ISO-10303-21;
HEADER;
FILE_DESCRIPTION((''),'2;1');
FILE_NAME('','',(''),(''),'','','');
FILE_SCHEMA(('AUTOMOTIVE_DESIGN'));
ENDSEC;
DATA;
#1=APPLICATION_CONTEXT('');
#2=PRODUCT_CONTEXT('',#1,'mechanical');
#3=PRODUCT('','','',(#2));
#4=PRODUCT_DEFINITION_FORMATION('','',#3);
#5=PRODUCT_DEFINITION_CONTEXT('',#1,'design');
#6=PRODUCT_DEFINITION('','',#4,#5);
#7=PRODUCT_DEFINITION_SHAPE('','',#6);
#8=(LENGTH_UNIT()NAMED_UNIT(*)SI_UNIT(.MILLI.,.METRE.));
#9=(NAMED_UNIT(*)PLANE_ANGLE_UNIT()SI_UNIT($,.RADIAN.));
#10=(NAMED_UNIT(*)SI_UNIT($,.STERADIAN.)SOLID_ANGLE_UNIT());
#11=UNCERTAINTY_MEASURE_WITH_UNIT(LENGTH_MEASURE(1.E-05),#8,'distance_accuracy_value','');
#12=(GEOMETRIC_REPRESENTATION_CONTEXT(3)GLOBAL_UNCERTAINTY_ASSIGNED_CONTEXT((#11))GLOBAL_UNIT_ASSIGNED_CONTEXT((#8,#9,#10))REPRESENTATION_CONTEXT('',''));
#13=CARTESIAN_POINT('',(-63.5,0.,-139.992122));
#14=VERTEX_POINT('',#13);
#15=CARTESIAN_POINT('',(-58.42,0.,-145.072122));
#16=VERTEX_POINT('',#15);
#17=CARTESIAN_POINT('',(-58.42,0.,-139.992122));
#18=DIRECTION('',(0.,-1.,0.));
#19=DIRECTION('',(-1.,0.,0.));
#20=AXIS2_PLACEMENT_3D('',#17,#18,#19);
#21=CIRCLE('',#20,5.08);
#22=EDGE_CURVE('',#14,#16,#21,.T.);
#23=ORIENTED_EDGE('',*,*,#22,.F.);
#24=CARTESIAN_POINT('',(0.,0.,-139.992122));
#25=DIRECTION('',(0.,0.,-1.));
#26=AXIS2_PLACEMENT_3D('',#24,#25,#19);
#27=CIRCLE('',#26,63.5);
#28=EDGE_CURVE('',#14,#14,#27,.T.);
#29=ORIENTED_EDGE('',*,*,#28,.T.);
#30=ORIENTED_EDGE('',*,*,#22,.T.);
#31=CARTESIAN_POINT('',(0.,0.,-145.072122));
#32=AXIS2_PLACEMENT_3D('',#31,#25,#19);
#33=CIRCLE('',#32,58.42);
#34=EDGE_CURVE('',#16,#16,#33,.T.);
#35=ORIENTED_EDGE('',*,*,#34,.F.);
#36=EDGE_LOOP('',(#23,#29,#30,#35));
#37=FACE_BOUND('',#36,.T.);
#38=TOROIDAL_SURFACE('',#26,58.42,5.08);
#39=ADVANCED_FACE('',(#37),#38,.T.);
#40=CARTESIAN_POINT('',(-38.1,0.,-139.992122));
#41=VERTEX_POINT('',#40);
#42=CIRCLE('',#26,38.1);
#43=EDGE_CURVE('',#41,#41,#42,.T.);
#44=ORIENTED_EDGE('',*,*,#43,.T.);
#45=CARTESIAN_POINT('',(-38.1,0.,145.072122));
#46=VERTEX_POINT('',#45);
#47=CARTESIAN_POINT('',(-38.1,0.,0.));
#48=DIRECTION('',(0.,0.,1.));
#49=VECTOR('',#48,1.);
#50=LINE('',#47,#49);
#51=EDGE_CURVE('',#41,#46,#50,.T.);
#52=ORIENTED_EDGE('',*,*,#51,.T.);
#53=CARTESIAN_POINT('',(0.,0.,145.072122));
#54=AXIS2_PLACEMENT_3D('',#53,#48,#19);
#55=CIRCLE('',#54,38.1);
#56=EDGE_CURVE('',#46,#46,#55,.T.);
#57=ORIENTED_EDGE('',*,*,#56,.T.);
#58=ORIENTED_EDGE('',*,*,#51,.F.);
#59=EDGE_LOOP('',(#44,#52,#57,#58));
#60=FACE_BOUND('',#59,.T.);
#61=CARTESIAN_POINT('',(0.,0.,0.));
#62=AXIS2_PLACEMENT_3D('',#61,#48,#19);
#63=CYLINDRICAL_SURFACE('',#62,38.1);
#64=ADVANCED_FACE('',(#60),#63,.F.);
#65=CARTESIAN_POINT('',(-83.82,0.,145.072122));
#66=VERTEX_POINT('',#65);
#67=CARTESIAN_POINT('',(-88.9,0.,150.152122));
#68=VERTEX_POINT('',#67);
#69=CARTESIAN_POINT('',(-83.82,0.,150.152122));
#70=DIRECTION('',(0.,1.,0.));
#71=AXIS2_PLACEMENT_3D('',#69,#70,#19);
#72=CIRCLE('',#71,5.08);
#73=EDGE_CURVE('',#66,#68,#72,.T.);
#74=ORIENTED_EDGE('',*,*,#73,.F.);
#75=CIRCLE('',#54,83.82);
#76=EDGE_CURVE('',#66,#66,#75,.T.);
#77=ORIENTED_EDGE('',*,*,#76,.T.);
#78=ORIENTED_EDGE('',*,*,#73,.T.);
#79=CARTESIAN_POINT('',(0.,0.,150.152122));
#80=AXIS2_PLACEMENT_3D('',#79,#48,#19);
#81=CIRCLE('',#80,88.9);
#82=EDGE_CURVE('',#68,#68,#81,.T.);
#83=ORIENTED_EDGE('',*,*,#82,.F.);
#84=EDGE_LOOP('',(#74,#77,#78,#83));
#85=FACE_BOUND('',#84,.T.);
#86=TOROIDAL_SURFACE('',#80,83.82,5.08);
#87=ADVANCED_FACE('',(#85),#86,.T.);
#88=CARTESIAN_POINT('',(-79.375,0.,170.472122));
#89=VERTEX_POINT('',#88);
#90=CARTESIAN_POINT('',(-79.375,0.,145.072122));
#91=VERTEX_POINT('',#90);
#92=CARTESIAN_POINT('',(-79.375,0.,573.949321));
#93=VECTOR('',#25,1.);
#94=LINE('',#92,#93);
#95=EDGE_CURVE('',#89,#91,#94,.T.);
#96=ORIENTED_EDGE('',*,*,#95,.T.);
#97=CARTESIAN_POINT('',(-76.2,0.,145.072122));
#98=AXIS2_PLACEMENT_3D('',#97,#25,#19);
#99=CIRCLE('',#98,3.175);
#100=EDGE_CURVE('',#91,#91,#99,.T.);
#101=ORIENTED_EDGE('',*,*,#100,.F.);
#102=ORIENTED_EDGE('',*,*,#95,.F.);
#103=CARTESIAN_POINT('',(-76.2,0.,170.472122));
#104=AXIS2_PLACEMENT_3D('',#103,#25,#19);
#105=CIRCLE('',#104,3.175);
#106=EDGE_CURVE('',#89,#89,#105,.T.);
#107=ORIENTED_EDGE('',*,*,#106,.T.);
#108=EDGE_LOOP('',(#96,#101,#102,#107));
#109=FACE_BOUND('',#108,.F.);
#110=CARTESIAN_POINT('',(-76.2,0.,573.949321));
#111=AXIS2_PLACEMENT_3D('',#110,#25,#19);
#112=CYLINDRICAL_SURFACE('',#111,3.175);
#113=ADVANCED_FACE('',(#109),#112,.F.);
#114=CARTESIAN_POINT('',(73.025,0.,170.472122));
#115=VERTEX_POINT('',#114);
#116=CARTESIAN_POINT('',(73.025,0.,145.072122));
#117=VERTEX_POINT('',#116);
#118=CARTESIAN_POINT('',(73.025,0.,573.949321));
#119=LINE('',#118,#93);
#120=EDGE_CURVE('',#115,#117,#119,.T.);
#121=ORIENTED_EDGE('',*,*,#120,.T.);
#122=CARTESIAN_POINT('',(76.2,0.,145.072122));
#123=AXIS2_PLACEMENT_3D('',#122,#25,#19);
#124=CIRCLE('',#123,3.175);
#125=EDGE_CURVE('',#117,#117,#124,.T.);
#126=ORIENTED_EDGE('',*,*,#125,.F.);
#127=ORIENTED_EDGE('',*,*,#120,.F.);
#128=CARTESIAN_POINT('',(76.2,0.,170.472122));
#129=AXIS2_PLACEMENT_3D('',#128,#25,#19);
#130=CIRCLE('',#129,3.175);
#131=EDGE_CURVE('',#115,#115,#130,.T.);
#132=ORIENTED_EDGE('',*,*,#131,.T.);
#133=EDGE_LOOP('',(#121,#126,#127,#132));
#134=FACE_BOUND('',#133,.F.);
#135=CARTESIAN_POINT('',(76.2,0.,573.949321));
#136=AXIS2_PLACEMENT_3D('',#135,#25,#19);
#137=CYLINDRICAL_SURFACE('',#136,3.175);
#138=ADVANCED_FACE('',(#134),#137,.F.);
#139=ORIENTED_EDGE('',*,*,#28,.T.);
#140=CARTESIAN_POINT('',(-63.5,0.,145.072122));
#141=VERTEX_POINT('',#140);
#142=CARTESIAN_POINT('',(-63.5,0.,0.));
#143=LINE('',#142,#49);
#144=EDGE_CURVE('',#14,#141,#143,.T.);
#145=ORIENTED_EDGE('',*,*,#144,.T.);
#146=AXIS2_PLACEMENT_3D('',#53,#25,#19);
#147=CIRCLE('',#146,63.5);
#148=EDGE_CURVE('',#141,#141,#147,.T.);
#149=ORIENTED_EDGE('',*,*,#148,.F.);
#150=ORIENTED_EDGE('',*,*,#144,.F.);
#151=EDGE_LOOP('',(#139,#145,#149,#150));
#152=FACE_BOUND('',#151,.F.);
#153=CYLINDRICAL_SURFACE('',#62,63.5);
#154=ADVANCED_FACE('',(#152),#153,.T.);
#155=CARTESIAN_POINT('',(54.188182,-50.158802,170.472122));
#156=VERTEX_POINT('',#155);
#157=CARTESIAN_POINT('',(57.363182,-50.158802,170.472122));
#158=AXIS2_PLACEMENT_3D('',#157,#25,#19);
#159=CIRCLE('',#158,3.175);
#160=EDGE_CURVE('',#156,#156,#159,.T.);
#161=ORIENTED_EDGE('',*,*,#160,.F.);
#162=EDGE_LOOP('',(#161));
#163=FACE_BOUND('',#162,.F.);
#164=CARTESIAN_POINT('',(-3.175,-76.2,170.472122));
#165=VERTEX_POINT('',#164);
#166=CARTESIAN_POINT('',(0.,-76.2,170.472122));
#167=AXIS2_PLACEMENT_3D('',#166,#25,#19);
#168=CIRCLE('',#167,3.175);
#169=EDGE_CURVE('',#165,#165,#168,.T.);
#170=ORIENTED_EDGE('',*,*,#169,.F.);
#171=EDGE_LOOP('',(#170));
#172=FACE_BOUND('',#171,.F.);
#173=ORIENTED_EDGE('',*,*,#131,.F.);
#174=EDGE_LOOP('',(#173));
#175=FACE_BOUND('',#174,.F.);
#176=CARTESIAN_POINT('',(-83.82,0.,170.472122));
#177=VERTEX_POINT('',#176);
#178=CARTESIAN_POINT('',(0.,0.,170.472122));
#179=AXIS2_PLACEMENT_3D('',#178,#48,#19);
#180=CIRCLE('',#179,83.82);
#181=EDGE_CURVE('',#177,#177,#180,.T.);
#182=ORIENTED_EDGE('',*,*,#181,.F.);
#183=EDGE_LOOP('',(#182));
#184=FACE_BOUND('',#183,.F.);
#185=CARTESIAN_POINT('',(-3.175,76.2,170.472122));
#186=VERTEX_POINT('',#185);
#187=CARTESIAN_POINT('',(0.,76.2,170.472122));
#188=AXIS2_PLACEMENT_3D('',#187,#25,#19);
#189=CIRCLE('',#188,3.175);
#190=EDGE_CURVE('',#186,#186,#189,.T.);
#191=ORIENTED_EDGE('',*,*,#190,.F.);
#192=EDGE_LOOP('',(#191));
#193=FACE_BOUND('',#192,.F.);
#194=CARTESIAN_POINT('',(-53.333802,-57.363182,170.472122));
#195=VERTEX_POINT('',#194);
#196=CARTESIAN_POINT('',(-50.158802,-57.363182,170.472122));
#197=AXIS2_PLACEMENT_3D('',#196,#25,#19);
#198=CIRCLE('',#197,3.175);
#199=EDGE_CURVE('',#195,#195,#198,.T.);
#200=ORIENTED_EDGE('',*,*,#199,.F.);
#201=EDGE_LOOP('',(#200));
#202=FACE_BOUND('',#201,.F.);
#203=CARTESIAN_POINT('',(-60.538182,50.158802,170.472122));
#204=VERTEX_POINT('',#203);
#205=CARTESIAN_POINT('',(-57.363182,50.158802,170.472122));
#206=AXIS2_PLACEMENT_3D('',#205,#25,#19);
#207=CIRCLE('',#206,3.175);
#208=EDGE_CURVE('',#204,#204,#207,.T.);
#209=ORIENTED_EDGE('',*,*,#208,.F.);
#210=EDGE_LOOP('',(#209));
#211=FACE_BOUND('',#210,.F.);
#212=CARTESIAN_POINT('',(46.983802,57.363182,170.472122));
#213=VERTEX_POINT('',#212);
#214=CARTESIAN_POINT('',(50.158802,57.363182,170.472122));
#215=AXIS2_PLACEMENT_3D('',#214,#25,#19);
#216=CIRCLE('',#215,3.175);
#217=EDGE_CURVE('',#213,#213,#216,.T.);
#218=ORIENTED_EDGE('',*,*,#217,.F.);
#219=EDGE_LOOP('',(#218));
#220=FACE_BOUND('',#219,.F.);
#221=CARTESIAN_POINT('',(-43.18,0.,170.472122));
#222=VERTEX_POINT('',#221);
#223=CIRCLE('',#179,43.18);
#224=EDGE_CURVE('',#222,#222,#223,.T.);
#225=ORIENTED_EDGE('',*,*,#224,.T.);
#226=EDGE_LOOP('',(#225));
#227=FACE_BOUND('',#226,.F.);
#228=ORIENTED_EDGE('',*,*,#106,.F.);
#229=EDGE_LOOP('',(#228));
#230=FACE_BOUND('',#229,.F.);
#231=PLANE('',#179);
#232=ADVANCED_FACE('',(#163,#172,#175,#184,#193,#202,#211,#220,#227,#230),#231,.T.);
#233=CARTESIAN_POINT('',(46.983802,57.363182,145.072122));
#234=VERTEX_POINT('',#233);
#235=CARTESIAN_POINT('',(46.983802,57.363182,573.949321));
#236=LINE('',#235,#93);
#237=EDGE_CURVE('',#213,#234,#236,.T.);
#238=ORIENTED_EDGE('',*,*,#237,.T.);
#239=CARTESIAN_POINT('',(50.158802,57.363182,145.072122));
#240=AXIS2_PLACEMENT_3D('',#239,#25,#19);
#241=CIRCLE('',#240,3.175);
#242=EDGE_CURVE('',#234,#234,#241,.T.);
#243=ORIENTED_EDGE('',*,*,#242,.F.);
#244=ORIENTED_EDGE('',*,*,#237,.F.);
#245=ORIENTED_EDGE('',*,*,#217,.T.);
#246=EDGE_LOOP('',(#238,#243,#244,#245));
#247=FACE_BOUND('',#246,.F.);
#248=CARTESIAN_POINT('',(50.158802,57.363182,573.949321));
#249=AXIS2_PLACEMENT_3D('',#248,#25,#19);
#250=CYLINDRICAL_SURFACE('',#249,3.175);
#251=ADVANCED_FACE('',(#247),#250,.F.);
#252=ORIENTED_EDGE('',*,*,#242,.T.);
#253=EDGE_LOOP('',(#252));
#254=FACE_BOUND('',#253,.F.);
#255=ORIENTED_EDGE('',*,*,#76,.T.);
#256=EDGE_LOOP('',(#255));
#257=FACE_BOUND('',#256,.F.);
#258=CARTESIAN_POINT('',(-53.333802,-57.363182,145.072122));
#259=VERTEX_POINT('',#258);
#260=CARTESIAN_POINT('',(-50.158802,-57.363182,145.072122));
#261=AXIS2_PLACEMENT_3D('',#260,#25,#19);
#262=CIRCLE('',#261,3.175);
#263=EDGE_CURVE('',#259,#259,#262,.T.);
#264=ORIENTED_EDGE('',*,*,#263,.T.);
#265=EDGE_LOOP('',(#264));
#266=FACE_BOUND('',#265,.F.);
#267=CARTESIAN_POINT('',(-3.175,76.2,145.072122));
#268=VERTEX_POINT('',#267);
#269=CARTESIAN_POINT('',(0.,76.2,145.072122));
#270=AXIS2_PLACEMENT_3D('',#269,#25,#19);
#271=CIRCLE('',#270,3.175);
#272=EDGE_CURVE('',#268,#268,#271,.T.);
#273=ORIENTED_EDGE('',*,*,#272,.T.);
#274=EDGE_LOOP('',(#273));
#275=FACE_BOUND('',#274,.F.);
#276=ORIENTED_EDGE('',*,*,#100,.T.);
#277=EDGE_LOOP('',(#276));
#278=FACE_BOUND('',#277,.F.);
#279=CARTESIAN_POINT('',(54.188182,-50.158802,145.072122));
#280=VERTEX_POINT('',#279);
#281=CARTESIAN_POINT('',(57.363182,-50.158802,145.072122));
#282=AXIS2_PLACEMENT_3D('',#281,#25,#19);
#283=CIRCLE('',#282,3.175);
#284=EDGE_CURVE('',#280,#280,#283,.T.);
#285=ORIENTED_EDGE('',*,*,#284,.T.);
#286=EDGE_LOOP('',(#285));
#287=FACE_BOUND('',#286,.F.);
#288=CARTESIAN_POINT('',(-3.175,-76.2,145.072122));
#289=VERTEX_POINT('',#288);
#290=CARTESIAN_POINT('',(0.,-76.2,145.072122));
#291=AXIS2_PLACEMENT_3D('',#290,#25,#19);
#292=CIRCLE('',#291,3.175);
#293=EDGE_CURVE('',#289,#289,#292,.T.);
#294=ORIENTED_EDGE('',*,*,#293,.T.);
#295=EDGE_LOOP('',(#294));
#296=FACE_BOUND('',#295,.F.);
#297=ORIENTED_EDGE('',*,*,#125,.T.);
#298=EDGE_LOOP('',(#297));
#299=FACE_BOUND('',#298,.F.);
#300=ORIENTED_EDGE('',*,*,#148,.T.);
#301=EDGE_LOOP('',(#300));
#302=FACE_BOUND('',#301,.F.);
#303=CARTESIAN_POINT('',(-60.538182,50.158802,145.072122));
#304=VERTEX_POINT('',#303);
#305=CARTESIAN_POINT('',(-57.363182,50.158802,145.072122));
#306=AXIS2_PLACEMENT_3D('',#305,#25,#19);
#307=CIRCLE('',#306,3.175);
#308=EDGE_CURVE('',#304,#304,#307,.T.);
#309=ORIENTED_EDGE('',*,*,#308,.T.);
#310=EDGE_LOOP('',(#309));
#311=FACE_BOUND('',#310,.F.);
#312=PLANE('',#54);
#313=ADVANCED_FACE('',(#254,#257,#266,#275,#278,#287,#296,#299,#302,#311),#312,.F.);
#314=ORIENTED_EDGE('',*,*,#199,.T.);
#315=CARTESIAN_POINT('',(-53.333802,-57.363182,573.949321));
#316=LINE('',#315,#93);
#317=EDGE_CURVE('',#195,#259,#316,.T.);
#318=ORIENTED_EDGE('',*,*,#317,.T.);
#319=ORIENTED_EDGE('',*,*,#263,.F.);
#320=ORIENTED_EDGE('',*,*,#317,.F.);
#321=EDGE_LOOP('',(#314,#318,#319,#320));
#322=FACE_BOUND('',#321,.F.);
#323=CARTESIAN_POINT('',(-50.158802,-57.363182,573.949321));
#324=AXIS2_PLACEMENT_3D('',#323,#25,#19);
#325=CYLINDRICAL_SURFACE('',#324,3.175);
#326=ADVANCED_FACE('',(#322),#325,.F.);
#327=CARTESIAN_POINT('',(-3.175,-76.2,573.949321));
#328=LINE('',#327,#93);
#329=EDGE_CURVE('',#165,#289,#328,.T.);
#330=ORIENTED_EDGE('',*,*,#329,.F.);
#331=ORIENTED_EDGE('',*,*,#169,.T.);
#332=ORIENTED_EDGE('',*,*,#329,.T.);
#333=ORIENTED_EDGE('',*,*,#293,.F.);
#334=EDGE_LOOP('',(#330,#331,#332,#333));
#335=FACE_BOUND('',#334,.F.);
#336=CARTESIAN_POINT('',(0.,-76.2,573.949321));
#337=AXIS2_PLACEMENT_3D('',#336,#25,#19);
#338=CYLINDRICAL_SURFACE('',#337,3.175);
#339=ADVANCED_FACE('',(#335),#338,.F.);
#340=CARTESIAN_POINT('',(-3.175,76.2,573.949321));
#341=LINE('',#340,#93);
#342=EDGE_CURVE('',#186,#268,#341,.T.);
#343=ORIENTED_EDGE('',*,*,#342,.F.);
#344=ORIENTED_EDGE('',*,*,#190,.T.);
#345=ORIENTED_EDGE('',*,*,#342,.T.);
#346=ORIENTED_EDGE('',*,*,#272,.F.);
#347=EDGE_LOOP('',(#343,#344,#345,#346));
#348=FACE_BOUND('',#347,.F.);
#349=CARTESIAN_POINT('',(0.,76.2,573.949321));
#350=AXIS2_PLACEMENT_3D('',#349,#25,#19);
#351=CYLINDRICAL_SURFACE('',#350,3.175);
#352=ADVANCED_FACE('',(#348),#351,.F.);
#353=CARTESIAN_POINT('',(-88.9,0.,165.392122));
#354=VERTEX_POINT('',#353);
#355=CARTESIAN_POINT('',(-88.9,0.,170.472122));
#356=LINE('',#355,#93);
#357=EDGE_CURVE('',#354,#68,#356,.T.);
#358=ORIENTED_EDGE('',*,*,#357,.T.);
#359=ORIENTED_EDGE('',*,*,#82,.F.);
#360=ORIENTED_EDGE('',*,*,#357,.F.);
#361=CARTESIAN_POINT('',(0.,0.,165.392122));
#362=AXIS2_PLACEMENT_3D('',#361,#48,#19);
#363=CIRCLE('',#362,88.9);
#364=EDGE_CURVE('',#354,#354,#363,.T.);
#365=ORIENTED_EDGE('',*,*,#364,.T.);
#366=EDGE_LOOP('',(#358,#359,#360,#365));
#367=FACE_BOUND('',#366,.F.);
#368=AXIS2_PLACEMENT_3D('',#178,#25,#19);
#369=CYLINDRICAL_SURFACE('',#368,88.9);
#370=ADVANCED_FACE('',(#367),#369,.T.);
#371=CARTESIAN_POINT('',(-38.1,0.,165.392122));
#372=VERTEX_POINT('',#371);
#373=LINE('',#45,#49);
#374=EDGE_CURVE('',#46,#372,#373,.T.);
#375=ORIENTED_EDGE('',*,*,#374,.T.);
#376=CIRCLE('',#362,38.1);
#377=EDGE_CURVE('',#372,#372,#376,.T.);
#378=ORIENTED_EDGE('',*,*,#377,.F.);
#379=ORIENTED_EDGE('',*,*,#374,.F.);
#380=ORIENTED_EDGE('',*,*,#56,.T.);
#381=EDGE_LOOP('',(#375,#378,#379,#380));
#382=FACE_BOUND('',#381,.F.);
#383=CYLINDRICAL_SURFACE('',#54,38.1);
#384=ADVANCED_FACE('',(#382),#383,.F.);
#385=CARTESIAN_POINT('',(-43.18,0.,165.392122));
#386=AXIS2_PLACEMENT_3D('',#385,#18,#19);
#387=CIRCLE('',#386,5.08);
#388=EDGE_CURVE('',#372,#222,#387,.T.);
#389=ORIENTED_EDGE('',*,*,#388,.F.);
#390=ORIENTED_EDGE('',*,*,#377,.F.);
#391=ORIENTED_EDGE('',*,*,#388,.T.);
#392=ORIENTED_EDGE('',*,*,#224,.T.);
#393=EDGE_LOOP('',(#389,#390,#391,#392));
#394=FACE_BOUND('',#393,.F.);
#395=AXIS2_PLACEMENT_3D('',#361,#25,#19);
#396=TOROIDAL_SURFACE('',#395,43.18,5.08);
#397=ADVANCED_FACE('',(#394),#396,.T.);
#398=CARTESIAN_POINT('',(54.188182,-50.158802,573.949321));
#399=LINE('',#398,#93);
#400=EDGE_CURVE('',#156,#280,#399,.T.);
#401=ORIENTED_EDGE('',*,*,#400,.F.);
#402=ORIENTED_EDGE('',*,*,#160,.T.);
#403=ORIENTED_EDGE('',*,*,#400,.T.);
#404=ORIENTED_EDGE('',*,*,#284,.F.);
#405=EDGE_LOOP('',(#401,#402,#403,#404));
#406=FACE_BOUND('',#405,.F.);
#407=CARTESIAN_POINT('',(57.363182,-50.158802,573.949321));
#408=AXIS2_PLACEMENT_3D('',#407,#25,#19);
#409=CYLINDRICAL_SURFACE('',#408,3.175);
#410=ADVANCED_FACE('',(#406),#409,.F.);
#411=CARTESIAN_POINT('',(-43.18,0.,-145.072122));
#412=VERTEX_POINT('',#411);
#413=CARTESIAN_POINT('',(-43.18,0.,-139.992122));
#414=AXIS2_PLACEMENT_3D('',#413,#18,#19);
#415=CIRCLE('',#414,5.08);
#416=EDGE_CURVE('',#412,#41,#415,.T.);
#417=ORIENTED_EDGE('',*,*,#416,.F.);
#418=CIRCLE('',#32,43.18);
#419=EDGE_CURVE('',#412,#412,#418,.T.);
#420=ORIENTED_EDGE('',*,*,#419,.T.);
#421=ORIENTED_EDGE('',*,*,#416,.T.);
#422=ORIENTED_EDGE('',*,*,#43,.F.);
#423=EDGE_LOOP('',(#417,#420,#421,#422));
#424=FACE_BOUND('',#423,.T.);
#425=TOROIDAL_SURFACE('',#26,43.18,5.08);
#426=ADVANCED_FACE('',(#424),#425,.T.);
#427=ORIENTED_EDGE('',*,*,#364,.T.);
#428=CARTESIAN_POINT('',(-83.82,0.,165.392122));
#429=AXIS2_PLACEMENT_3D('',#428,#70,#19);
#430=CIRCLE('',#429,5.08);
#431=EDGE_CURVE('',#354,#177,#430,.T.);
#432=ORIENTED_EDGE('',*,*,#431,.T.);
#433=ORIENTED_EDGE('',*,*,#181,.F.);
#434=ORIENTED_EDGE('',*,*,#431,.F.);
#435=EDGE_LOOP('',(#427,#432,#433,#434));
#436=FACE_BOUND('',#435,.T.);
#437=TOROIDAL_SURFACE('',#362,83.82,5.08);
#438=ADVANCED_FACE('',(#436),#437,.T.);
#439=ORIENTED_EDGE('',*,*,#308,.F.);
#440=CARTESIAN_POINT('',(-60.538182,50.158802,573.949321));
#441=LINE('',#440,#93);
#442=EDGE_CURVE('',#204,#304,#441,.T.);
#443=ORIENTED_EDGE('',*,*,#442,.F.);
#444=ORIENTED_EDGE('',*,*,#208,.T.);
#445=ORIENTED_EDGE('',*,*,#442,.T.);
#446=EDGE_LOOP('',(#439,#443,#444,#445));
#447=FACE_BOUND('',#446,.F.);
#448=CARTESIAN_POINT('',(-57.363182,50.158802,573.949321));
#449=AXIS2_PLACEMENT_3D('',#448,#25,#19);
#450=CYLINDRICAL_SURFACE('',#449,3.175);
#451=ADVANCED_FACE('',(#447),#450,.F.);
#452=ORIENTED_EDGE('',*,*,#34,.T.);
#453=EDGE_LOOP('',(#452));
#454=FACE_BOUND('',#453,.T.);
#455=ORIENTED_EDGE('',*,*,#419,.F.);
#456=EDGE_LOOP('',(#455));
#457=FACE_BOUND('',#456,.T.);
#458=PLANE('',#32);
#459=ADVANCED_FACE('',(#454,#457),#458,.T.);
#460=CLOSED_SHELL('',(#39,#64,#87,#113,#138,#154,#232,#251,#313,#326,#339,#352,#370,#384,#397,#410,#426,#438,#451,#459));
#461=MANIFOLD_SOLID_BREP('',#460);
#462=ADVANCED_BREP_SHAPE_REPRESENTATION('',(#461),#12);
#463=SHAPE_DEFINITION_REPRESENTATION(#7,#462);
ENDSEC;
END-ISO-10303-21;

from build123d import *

# Parameters (mm, degrees)
F0_W  = 25.4
F0_H  = 290.144244
F3_R  = 5.08
F4_R  = 5.08
F7_D  = 6.35
F9_D  = 6.35
F11_D = 6.35


with BuildPart() as f1:
    # F0 (on Front) → F1 (revolve)
    with BuildSketch(Plane.XZ):
        Polygon((-63.5, 145.072122), (-38.1, 145.072122), (-38.1, 170.472122), (-88.9, 170.472122), (-88.9, 145.072122), align=None)
    revolve(axis=Axis((0, 0, 157.772122), (0, 0, 1)))

    # F0 (on Front) → F2 (revolve)
    with BuildSketch(Plane.XZ):
        with Locations((-50.8, 0)):
            Rectangle(F0_W, F0_H)
    revolve(axis=Axis((0, 0, 0), (0, 0, -1)))

    # F3
    f3_edges = [f1.edges().sort_by_distance(p)[0] for p in [
        (88.9, 0, 170.472122),
        (88.9, 0, 145.072122),
        (38.1, 0, 170.472122),
        (63.5, 0, -145.072122),
    ]]
    fillet(f3_edges, radius=F3_R)

    # F4
    f4_edges = [f1.edges().sort_by_distance(p)[0] for p in [
        (38.1, 0, -145.072122),
    ]]
    fillet(f4_edges, radius=F4_R)

    # F7 (through all)
    with Locations(Plane.XY.offset(170.472122)):
        with Locations((-76.2, 0), (0, 76.2)):
            Hole(F7_D / 2)

    # F9 (through all)
    with Locations(Plane.XY.offset(170.472122)):
        with Locations((0, -76.2), (76.2, 0)):
            Hole(F9_D / 2)

    # F11 (through all)
    with Locations(Plane.XY.offset(170.472122)):
        with Locations((-57.363182, 50.158802), (50.158802, 57.363182), (57.363182, -50.158802), (-50.158802, -57.363182)):
            Hole(F11_D / 2)


solid = f1.part
